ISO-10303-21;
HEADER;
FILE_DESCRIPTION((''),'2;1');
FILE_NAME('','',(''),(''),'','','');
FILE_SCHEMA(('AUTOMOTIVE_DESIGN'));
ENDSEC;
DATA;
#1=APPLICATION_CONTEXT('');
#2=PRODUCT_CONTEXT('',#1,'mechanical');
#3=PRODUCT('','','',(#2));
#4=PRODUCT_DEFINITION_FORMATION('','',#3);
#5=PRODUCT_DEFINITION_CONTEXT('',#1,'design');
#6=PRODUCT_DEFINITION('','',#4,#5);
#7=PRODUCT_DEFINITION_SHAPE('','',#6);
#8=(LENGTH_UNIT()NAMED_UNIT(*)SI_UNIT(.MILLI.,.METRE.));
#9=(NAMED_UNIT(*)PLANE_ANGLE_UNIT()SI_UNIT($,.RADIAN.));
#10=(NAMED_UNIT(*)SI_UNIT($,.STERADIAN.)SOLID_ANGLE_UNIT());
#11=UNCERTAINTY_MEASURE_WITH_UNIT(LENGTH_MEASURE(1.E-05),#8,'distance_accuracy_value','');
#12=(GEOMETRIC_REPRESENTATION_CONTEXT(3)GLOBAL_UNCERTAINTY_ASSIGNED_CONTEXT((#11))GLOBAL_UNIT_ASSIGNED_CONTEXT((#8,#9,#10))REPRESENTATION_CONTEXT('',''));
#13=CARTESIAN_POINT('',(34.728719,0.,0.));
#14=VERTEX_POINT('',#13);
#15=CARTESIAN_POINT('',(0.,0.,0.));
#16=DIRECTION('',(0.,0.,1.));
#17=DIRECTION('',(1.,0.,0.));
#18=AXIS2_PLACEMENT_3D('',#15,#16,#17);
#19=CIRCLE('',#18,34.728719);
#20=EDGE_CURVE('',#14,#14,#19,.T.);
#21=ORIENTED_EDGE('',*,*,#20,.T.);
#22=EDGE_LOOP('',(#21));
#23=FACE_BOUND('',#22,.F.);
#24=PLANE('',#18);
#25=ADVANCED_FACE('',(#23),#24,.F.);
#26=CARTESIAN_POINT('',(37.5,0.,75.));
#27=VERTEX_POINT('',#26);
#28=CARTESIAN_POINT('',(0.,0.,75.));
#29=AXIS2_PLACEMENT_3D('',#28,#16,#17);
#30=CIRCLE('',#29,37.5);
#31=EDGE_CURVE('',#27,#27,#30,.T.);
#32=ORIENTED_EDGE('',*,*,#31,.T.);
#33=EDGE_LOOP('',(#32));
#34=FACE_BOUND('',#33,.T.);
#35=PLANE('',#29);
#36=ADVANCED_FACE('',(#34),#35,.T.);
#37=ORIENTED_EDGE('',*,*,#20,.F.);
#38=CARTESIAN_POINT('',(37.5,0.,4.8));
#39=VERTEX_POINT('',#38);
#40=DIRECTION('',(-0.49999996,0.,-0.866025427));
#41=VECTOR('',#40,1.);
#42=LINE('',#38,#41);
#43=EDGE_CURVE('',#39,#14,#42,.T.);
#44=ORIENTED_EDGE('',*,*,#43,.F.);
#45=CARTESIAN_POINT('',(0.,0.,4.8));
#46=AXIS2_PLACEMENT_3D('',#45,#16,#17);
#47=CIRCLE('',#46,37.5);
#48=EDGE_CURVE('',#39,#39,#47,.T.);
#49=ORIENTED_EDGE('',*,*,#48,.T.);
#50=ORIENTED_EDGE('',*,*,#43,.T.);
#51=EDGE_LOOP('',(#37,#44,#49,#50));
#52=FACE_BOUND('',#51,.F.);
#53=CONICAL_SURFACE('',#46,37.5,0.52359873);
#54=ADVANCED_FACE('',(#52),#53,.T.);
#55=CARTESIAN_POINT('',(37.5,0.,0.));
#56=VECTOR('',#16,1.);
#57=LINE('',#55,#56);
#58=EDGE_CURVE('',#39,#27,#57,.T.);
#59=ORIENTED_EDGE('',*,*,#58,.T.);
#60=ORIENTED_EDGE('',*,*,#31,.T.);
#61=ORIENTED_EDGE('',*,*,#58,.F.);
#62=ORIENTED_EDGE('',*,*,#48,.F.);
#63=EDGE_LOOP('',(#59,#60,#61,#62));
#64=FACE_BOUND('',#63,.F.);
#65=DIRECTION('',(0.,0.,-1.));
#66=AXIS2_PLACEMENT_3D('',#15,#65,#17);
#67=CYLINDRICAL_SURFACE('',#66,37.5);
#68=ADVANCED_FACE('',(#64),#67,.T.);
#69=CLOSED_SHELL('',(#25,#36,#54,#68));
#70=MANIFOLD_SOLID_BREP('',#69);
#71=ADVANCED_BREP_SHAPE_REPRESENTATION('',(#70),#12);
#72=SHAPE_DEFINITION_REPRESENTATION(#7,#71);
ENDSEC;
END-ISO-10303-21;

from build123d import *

# Parameters (mm, degrees)
F0_R     = 37.5
F1_DEPTH = 75
F2_SIZE2 = 2.771281
F2_SIZE  = 4.8


with BuildPart() as f1:
    # F0 (on Top) → F1 (new body)
    with BuildSketch(Plane.XY):
        Circle(F0_R)
    extrude(amount=F1_DEPTH)

    # F2
    f2_edges = [f1.edges().sort_by_distance(p)[0] for p in [
        (-37.5, 0, 0),
    ]]
    chamfer(f2_edges, length=F2_SIZE, length2=F2_SIZE2)


solid = f1.part
